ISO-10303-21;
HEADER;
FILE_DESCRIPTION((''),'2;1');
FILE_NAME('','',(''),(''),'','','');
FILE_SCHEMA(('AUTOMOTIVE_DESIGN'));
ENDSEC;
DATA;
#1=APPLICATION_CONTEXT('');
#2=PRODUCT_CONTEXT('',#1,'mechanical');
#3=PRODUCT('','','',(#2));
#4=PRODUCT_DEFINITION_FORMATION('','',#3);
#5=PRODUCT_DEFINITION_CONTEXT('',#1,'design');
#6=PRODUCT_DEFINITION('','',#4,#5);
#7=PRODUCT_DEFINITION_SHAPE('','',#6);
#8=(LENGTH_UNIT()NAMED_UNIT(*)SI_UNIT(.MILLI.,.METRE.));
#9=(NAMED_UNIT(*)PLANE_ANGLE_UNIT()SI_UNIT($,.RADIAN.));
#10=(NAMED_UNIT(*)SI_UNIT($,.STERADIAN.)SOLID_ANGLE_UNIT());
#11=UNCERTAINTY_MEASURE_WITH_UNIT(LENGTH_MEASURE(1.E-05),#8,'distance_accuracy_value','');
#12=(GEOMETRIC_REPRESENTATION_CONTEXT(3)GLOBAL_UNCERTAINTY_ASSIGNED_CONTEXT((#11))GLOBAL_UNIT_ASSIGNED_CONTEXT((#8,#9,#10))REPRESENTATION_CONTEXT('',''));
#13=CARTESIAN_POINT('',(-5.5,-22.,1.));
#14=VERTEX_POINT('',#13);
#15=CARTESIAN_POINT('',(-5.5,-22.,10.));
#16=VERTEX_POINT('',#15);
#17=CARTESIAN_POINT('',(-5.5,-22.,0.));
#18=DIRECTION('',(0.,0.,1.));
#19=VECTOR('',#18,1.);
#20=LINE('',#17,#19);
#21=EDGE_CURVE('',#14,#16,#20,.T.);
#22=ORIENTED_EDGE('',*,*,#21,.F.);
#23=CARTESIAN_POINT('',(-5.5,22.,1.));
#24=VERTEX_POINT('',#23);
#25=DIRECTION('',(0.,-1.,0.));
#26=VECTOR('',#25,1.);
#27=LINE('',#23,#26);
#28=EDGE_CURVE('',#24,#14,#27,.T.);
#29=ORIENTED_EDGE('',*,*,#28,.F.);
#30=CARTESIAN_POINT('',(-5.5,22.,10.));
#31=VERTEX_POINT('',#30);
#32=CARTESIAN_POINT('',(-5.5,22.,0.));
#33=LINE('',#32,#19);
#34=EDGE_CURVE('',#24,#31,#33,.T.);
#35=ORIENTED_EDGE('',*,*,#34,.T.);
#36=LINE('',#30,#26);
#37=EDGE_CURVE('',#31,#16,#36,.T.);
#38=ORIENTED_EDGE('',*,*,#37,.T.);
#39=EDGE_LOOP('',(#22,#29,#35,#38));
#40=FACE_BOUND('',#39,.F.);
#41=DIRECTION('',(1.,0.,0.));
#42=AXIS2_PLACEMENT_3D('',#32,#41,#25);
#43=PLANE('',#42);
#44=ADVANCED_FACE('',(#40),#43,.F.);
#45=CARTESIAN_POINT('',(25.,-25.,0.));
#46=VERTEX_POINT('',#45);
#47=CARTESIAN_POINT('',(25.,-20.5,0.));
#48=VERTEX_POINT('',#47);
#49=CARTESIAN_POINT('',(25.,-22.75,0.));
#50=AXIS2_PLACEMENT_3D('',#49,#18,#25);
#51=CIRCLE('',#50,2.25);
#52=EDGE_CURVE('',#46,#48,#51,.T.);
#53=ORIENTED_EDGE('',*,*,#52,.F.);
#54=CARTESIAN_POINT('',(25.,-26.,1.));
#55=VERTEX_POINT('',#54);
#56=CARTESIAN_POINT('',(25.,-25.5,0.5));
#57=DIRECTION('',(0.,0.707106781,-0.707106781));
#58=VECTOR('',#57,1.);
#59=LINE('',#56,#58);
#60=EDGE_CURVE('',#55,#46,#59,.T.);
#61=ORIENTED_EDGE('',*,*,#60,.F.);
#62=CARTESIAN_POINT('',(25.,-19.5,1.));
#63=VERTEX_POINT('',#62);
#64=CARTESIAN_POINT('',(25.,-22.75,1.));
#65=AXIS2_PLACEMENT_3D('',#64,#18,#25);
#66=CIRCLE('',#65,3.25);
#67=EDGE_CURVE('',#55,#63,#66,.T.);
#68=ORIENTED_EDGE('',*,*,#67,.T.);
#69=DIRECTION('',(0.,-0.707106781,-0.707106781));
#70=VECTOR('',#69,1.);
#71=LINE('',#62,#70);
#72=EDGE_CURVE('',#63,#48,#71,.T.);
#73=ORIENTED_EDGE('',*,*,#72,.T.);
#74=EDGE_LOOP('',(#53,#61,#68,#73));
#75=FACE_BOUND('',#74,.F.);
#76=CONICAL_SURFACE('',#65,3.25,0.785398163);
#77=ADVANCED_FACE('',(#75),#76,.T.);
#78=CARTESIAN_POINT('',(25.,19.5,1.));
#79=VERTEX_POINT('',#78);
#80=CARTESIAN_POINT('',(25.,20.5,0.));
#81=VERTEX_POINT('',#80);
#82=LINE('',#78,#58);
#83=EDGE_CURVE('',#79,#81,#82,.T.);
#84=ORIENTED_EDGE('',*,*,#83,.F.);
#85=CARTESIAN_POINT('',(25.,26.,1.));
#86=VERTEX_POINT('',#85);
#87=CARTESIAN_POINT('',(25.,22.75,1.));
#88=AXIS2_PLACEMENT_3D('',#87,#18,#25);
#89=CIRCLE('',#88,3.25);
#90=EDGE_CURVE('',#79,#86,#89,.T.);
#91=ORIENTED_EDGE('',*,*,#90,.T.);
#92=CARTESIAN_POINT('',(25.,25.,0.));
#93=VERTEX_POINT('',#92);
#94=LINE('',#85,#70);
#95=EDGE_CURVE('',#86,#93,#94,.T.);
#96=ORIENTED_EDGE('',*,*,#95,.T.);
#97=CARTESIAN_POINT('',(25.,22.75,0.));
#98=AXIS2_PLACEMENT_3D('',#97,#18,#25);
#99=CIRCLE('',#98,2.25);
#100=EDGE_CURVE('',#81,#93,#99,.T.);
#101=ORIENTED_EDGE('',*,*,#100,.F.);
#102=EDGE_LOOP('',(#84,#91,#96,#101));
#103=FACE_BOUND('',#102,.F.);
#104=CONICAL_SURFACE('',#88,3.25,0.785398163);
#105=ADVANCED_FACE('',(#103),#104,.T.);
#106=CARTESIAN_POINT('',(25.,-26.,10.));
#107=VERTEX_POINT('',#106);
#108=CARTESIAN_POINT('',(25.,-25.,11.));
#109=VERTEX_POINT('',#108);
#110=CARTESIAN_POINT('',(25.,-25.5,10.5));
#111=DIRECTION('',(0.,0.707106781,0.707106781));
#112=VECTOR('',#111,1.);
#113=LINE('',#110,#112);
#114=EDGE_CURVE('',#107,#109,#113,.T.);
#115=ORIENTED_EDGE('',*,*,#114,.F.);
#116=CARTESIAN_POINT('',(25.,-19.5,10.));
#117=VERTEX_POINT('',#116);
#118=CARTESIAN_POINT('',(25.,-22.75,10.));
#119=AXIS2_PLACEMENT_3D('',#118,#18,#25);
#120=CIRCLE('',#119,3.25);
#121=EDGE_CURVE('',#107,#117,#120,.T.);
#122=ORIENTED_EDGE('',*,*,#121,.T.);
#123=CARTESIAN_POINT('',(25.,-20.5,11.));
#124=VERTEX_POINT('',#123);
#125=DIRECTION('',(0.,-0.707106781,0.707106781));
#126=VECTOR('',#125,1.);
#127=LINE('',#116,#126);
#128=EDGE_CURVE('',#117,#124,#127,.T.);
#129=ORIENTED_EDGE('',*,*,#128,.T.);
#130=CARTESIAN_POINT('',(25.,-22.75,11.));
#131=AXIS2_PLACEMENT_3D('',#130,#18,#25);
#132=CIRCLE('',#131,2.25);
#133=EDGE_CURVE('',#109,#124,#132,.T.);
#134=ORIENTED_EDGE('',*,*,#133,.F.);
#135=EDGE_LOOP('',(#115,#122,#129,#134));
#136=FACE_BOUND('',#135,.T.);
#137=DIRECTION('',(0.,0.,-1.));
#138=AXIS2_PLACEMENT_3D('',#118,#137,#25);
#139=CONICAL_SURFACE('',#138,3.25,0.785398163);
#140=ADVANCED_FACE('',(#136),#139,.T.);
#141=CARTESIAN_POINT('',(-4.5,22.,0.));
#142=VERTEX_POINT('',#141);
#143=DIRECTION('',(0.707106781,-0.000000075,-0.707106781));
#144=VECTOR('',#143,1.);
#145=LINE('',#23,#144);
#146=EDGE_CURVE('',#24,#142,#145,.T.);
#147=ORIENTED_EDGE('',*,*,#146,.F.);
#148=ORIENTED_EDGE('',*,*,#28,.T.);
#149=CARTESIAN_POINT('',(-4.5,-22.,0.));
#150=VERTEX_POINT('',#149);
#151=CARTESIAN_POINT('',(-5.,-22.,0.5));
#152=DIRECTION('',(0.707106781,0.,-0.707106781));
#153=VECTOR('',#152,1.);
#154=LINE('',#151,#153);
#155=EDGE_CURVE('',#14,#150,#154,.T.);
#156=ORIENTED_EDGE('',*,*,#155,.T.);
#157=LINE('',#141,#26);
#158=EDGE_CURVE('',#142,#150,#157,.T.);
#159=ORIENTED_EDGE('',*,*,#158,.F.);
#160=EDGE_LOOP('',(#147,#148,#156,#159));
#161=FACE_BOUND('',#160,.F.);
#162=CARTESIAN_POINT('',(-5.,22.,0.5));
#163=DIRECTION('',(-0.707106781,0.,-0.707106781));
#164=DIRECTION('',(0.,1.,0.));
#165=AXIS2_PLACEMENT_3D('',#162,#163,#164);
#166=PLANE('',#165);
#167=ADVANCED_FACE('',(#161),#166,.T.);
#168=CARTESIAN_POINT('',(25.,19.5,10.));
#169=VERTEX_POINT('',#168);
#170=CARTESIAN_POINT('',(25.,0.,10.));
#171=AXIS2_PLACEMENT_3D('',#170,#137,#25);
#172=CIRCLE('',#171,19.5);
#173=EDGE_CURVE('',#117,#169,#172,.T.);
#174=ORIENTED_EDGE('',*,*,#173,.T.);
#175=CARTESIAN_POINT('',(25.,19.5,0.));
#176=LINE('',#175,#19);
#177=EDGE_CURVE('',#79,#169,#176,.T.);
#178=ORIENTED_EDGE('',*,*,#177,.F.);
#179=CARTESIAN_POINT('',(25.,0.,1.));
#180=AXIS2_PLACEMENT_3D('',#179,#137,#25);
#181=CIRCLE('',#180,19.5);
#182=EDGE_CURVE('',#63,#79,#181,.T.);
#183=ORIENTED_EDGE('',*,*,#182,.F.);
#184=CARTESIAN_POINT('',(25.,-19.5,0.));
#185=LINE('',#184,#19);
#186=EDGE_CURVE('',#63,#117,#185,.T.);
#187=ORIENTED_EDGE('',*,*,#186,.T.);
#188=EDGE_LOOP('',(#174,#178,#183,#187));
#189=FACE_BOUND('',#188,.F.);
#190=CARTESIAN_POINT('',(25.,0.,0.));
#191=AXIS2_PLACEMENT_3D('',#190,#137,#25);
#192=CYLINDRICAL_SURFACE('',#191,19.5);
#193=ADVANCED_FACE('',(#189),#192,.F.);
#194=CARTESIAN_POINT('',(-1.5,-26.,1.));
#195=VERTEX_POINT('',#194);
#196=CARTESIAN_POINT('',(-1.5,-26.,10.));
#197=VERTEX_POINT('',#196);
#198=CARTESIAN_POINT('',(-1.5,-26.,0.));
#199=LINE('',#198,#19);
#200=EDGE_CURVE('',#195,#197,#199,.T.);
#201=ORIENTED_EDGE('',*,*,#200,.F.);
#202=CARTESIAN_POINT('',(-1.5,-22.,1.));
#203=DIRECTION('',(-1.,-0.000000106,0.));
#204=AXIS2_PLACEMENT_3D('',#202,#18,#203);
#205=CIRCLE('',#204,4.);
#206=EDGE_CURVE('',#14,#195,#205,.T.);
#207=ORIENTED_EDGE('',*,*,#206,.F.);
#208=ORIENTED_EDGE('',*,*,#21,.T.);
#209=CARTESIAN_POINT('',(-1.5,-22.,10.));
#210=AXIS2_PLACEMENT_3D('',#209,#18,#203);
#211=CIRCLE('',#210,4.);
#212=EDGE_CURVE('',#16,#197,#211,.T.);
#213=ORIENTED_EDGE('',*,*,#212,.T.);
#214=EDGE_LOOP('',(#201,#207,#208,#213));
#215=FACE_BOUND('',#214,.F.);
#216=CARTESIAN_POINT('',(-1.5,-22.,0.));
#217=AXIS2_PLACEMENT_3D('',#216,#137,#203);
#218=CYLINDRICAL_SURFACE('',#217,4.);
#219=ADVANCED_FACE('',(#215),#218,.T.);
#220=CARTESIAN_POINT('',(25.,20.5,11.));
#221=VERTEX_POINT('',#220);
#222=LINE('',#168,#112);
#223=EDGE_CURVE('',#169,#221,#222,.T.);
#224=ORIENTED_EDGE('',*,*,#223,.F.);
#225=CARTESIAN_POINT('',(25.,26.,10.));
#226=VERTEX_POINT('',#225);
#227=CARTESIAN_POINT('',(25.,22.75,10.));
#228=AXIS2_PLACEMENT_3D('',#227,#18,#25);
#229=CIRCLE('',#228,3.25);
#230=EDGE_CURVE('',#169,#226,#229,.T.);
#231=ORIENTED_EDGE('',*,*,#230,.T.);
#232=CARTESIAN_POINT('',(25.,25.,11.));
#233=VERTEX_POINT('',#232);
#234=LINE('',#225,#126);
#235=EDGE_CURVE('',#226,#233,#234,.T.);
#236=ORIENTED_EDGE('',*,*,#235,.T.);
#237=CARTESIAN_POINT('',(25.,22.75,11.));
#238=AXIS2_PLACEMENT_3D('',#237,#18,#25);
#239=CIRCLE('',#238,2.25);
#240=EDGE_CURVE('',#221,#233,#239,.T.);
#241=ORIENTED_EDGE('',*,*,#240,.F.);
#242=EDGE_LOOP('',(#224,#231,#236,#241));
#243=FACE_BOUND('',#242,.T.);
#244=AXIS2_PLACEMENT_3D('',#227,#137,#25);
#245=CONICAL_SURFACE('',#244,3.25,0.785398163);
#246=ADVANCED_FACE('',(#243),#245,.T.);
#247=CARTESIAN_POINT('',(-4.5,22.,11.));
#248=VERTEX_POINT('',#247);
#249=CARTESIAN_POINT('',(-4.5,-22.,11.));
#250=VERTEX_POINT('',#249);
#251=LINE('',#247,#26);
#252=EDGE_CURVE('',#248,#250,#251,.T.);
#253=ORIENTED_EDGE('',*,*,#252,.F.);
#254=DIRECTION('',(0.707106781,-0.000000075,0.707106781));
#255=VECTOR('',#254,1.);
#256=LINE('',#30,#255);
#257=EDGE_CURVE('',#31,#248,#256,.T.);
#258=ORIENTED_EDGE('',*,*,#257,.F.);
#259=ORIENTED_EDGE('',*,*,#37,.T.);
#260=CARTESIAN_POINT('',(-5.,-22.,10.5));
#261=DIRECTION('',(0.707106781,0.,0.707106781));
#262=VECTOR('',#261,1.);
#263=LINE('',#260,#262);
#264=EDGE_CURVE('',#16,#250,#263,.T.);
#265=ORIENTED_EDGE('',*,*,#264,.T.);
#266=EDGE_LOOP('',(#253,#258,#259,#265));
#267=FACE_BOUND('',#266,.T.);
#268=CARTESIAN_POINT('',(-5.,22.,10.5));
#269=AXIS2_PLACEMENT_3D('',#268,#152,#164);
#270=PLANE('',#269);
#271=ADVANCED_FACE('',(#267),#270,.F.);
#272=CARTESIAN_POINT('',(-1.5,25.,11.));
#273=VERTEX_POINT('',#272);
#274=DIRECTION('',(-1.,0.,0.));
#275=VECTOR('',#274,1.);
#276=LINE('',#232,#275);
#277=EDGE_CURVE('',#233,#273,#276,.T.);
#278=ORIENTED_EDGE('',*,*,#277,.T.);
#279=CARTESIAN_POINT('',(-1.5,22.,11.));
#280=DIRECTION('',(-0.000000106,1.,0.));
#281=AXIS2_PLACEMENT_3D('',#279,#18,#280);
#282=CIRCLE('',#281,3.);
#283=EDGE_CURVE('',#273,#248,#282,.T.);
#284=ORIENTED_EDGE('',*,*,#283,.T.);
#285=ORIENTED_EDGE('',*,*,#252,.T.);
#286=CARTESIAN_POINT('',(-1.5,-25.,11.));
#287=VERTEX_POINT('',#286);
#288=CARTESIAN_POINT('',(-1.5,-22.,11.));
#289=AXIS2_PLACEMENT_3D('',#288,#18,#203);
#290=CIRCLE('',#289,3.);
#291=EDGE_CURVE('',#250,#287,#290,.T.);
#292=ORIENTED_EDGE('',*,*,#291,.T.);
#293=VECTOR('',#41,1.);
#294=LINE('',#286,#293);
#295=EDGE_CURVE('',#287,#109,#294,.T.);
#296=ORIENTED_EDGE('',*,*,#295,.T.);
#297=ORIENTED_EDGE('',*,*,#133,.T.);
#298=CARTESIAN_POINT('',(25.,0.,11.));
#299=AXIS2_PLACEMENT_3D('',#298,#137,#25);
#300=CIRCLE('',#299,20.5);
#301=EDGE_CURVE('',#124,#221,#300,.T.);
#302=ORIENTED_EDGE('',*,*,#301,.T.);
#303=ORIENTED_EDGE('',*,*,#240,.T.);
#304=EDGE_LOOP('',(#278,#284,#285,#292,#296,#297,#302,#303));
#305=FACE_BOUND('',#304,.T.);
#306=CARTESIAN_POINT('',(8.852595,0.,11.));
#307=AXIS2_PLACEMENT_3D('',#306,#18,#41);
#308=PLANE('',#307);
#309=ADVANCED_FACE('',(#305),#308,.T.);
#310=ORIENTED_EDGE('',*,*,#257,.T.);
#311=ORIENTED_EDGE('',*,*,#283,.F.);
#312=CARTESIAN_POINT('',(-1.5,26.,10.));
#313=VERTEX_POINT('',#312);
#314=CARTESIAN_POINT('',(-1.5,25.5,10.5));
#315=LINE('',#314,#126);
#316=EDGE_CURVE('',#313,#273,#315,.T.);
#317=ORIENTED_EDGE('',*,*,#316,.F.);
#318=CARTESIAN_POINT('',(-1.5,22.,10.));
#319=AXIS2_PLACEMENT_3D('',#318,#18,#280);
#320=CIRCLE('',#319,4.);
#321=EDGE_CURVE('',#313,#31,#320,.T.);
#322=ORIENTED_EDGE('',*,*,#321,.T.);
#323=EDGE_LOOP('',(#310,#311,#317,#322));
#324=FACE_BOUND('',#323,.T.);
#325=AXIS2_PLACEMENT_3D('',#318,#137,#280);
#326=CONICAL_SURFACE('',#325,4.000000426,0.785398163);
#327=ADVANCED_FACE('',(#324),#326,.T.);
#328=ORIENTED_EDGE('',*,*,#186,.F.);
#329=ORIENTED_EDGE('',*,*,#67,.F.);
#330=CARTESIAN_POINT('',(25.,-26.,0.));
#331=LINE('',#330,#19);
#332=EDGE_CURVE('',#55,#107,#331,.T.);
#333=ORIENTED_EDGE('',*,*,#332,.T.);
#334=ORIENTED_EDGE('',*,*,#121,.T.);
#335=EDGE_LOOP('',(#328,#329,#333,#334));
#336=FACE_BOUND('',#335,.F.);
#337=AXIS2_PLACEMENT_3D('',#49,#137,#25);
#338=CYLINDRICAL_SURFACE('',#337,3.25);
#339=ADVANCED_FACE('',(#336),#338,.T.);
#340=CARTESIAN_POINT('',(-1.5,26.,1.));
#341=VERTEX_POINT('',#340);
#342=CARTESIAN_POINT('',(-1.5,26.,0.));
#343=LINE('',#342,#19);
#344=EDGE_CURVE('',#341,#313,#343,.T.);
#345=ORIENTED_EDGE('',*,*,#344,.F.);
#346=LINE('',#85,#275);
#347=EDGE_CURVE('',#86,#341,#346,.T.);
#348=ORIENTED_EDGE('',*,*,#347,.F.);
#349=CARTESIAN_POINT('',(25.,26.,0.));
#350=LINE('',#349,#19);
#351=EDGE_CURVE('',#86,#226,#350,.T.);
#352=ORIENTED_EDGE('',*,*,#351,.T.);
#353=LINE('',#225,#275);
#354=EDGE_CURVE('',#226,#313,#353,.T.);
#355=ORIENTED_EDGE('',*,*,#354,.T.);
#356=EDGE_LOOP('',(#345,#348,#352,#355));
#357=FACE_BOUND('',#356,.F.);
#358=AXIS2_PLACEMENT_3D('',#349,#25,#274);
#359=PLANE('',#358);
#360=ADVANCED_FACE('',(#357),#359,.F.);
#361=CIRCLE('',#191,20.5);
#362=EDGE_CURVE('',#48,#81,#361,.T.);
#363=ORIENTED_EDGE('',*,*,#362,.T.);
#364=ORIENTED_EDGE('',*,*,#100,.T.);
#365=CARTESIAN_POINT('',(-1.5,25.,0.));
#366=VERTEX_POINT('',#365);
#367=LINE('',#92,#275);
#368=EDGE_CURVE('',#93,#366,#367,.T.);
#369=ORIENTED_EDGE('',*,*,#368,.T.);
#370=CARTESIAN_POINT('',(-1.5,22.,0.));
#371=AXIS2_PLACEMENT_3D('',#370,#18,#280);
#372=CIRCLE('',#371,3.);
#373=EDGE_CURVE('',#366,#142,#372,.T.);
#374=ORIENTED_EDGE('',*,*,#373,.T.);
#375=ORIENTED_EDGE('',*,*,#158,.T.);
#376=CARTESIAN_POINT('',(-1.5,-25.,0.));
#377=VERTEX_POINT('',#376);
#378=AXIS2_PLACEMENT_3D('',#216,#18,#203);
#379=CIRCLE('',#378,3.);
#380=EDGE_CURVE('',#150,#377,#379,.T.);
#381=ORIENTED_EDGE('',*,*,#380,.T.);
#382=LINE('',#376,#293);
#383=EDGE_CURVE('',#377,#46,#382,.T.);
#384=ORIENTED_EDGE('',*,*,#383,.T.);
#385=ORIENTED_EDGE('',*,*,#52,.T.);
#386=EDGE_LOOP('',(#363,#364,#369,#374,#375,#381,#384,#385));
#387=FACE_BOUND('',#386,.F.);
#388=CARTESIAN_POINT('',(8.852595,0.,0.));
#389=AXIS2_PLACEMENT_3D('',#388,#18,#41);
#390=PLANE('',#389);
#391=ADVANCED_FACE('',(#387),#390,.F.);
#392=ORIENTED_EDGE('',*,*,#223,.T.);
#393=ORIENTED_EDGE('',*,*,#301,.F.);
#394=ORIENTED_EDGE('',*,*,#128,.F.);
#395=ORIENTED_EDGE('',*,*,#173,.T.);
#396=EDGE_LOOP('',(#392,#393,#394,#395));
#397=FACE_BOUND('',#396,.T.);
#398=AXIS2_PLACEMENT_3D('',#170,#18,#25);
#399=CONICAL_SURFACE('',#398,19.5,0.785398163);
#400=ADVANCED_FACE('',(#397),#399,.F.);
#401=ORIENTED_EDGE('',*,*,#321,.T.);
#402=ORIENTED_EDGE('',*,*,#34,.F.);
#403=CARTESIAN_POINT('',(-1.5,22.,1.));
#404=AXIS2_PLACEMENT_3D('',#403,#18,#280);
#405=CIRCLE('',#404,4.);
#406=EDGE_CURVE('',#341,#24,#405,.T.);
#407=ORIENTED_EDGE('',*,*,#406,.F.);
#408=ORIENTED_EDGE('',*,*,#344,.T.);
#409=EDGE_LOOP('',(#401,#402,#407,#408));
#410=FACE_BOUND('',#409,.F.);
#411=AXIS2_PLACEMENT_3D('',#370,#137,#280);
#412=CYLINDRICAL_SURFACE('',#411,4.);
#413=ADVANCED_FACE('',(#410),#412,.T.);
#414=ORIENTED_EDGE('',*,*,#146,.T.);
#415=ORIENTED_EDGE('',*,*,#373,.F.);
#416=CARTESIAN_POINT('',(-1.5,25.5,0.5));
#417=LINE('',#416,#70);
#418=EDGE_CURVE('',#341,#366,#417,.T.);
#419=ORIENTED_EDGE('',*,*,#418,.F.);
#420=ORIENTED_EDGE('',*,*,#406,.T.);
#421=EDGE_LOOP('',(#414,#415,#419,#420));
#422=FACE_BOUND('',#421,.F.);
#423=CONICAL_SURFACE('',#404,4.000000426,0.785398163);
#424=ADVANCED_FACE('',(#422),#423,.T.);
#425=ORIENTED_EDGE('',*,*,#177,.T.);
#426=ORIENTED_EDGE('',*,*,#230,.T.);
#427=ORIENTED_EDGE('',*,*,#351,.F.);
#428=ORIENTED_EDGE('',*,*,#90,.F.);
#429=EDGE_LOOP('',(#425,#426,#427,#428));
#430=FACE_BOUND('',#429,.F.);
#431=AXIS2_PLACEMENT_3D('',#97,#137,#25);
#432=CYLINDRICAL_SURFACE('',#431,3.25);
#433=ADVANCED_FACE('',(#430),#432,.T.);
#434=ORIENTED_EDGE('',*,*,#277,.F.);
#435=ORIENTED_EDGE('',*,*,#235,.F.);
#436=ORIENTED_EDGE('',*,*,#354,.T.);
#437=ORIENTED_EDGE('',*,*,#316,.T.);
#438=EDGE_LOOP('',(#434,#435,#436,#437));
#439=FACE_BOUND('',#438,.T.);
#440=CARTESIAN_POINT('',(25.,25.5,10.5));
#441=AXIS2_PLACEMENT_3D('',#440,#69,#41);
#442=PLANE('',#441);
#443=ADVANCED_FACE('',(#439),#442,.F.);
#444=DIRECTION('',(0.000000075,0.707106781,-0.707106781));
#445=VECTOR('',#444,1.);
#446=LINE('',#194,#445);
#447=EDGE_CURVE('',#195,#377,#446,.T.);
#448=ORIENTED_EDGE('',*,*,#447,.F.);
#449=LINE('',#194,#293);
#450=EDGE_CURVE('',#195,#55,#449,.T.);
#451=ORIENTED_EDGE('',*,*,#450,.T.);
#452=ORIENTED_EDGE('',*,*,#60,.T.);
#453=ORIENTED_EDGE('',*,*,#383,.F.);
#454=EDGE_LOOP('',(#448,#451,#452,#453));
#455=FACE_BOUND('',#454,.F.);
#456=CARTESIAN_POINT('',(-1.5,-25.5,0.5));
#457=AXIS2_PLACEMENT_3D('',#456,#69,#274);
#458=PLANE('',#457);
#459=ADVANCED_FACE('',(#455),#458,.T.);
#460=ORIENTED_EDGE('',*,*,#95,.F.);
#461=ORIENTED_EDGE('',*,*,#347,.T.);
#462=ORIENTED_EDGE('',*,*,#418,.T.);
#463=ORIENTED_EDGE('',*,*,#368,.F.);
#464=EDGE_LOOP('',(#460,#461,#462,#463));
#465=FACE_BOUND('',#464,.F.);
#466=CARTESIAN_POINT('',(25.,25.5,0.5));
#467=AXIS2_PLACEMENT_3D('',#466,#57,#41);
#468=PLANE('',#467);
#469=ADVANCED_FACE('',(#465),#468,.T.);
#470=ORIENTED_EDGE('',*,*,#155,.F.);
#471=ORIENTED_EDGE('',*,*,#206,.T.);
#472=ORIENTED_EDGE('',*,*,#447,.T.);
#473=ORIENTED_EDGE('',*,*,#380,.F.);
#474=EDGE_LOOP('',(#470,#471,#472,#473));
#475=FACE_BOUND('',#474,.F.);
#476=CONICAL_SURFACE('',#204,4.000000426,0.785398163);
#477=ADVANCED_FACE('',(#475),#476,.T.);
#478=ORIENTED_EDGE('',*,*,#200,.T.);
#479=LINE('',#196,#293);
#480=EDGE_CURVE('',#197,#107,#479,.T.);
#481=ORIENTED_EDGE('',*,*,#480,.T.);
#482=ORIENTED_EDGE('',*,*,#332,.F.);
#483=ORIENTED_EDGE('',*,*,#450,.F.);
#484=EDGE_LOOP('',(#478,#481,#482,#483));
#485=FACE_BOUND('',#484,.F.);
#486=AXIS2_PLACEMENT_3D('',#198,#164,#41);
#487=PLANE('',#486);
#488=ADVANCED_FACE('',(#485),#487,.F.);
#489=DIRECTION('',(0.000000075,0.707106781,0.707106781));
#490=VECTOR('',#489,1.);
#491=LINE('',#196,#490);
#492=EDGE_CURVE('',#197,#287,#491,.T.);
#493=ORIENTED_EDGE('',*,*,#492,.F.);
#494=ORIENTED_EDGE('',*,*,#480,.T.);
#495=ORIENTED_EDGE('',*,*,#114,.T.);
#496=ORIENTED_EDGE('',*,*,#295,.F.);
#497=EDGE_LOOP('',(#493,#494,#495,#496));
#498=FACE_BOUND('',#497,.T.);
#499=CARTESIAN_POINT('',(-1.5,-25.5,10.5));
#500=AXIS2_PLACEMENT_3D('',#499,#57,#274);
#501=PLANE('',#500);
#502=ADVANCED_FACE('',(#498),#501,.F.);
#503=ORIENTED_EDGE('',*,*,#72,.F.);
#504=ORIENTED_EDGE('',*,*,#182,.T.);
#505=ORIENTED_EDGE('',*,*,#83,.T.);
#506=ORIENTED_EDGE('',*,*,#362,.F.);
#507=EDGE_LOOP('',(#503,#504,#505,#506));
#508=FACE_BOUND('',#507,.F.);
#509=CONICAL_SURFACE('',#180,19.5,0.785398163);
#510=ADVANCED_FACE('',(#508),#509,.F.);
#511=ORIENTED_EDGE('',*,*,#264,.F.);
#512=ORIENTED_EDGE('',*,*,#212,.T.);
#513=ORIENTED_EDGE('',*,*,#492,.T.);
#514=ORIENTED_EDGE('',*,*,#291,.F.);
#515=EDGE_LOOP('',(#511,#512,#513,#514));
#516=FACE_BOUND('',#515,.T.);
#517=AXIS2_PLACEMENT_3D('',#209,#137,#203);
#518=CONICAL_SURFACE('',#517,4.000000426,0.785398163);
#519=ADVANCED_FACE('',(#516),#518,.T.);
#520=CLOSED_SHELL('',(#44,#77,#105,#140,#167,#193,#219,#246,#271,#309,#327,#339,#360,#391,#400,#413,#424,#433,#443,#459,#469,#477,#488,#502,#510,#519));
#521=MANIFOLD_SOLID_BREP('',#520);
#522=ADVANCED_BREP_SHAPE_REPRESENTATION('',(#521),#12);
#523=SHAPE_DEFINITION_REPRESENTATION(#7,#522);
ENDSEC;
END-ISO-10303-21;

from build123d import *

# Parameters (mm, degrees)
F1_DEPTH = 11
F2_SIZE  = 1


with BuildPart() as f1:
    # F0 (on Top) → F1 (new body)
    with BuildSketch(Plane.XY):
        with BuildLine():
            ThreePointArc((25, -19.5), (5.5, 0), (25, 19.5))
            ThreePointArc((25, 19.5), (28.25, 22.75), (25, 26))
            Line((25, 26), (-1.5, 26))
            ThreePointArc((-1.5, 26), (-4.328427, 24.828427), (-5.5, 22))
            Line((-5.5, 22), (-5.5, -22))
            ThreePointArc((-5.5, -22), (-4.328427, -24.828427), (-1.5, -26))
            Line((-1.5, -26), (25, -26))
            ThreePointArc((25, -26), (28.25, -22.75), (25, -19.5))
        make_face()
    extrude(amount=F1_DEPTH)

    # F2
    f2_edges = [f1.edges().sort_by_distance(p)[0] for p in [
        (5.5, 0, 11),
        (5.5, 0, 0),
    ]]
    chamfer(f2_edges, length=F2_SIZE)


solid = f1.part
